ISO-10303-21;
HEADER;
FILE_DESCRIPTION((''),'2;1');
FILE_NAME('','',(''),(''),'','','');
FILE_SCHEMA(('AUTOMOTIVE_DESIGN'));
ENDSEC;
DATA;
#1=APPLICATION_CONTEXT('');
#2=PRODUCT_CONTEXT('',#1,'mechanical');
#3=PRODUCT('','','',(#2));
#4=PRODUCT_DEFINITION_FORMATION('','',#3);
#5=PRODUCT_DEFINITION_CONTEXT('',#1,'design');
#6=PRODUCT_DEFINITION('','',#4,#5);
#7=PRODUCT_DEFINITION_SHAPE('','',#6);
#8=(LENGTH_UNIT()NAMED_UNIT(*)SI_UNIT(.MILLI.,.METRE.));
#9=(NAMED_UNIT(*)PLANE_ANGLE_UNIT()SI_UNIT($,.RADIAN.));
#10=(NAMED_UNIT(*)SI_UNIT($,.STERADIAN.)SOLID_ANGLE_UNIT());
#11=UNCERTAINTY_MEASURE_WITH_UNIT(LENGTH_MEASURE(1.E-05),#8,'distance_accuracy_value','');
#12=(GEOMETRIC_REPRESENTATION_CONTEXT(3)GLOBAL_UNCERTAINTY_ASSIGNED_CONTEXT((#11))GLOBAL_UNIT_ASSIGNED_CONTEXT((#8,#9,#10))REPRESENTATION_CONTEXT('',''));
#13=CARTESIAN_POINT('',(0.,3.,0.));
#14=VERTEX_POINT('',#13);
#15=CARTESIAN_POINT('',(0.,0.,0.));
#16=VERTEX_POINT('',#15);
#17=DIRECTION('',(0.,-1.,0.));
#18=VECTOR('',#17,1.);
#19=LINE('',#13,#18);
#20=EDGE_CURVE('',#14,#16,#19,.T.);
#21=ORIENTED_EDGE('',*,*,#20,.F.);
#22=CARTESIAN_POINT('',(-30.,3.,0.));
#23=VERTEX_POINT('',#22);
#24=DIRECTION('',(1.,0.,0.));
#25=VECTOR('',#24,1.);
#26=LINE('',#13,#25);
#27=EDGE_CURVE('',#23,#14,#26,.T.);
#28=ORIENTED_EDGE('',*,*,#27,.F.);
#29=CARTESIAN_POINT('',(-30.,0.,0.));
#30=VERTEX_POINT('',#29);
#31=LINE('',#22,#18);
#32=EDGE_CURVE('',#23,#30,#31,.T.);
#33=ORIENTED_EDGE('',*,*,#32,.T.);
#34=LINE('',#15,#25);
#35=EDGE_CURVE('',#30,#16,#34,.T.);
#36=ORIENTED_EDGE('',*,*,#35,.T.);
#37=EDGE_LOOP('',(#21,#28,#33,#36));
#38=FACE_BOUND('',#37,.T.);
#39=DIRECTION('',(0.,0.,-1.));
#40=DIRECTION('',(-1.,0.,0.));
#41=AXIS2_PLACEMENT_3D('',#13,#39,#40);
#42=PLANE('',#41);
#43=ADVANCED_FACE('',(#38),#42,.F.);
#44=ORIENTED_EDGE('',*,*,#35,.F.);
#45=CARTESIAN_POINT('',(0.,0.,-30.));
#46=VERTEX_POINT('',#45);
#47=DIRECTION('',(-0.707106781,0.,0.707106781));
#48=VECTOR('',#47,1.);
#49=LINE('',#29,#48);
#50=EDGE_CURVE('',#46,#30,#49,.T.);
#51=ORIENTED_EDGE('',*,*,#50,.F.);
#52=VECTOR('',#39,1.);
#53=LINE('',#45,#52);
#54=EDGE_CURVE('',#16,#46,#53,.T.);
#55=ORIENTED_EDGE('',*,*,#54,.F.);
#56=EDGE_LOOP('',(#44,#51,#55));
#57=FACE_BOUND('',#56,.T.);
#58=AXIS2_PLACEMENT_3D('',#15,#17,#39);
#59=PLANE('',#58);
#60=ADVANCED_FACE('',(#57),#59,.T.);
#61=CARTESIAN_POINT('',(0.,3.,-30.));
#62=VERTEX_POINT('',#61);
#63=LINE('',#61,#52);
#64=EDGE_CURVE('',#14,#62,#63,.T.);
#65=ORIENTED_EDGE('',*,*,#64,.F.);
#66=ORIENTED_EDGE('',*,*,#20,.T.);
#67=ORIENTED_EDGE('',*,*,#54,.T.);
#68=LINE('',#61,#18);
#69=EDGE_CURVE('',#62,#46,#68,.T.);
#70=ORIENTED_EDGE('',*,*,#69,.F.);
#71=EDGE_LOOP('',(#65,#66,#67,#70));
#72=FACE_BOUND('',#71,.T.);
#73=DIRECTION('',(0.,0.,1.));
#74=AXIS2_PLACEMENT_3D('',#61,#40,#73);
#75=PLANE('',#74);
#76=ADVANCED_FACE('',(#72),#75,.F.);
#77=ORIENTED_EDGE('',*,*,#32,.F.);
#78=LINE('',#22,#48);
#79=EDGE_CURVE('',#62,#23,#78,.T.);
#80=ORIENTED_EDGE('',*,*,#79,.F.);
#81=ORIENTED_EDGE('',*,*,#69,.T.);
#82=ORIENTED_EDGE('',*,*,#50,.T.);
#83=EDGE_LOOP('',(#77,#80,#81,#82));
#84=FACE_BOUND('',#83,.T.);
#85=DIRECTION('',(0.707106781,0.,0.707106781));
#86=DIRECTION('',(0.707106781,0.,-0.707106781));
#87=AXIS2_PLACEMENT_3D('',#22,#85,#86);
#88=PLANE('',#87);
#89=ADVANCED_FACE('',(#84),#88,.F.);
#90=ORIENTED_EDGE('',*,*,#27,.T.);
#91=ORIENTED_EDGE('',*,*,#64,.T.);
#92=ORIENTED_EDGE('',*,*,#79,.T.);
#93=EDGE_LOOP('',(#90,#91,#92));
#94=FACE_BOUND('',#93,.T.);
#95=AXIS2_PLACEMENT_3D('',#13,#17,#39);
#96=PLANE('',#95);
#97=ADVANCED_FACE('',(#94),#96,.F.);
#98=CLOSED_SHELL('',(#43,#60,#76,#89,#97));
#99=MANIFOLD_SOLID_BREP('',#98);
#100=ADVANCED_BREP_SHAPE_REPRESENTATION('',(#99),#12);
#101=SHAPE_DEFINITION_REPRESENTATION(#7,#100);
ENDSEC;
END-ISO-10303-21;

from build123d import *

# Parameters (mm, degrees)
EXTRUDE_1_DEPTH = 3


with BuildPart() as part:
    # 草图1 → 凸台-拉伸1 (new body)
    with BuildSketch(Plane(origin=(0, 0, 0), x_dir=(1, 0, 0), z_dir=(0, 1, 0))):
        Polygon((0, 0), (-30, 0), (0, 30), align=None)
    extrude(amount=EXTRUDE_1_DEPTH)


solid = part.part
